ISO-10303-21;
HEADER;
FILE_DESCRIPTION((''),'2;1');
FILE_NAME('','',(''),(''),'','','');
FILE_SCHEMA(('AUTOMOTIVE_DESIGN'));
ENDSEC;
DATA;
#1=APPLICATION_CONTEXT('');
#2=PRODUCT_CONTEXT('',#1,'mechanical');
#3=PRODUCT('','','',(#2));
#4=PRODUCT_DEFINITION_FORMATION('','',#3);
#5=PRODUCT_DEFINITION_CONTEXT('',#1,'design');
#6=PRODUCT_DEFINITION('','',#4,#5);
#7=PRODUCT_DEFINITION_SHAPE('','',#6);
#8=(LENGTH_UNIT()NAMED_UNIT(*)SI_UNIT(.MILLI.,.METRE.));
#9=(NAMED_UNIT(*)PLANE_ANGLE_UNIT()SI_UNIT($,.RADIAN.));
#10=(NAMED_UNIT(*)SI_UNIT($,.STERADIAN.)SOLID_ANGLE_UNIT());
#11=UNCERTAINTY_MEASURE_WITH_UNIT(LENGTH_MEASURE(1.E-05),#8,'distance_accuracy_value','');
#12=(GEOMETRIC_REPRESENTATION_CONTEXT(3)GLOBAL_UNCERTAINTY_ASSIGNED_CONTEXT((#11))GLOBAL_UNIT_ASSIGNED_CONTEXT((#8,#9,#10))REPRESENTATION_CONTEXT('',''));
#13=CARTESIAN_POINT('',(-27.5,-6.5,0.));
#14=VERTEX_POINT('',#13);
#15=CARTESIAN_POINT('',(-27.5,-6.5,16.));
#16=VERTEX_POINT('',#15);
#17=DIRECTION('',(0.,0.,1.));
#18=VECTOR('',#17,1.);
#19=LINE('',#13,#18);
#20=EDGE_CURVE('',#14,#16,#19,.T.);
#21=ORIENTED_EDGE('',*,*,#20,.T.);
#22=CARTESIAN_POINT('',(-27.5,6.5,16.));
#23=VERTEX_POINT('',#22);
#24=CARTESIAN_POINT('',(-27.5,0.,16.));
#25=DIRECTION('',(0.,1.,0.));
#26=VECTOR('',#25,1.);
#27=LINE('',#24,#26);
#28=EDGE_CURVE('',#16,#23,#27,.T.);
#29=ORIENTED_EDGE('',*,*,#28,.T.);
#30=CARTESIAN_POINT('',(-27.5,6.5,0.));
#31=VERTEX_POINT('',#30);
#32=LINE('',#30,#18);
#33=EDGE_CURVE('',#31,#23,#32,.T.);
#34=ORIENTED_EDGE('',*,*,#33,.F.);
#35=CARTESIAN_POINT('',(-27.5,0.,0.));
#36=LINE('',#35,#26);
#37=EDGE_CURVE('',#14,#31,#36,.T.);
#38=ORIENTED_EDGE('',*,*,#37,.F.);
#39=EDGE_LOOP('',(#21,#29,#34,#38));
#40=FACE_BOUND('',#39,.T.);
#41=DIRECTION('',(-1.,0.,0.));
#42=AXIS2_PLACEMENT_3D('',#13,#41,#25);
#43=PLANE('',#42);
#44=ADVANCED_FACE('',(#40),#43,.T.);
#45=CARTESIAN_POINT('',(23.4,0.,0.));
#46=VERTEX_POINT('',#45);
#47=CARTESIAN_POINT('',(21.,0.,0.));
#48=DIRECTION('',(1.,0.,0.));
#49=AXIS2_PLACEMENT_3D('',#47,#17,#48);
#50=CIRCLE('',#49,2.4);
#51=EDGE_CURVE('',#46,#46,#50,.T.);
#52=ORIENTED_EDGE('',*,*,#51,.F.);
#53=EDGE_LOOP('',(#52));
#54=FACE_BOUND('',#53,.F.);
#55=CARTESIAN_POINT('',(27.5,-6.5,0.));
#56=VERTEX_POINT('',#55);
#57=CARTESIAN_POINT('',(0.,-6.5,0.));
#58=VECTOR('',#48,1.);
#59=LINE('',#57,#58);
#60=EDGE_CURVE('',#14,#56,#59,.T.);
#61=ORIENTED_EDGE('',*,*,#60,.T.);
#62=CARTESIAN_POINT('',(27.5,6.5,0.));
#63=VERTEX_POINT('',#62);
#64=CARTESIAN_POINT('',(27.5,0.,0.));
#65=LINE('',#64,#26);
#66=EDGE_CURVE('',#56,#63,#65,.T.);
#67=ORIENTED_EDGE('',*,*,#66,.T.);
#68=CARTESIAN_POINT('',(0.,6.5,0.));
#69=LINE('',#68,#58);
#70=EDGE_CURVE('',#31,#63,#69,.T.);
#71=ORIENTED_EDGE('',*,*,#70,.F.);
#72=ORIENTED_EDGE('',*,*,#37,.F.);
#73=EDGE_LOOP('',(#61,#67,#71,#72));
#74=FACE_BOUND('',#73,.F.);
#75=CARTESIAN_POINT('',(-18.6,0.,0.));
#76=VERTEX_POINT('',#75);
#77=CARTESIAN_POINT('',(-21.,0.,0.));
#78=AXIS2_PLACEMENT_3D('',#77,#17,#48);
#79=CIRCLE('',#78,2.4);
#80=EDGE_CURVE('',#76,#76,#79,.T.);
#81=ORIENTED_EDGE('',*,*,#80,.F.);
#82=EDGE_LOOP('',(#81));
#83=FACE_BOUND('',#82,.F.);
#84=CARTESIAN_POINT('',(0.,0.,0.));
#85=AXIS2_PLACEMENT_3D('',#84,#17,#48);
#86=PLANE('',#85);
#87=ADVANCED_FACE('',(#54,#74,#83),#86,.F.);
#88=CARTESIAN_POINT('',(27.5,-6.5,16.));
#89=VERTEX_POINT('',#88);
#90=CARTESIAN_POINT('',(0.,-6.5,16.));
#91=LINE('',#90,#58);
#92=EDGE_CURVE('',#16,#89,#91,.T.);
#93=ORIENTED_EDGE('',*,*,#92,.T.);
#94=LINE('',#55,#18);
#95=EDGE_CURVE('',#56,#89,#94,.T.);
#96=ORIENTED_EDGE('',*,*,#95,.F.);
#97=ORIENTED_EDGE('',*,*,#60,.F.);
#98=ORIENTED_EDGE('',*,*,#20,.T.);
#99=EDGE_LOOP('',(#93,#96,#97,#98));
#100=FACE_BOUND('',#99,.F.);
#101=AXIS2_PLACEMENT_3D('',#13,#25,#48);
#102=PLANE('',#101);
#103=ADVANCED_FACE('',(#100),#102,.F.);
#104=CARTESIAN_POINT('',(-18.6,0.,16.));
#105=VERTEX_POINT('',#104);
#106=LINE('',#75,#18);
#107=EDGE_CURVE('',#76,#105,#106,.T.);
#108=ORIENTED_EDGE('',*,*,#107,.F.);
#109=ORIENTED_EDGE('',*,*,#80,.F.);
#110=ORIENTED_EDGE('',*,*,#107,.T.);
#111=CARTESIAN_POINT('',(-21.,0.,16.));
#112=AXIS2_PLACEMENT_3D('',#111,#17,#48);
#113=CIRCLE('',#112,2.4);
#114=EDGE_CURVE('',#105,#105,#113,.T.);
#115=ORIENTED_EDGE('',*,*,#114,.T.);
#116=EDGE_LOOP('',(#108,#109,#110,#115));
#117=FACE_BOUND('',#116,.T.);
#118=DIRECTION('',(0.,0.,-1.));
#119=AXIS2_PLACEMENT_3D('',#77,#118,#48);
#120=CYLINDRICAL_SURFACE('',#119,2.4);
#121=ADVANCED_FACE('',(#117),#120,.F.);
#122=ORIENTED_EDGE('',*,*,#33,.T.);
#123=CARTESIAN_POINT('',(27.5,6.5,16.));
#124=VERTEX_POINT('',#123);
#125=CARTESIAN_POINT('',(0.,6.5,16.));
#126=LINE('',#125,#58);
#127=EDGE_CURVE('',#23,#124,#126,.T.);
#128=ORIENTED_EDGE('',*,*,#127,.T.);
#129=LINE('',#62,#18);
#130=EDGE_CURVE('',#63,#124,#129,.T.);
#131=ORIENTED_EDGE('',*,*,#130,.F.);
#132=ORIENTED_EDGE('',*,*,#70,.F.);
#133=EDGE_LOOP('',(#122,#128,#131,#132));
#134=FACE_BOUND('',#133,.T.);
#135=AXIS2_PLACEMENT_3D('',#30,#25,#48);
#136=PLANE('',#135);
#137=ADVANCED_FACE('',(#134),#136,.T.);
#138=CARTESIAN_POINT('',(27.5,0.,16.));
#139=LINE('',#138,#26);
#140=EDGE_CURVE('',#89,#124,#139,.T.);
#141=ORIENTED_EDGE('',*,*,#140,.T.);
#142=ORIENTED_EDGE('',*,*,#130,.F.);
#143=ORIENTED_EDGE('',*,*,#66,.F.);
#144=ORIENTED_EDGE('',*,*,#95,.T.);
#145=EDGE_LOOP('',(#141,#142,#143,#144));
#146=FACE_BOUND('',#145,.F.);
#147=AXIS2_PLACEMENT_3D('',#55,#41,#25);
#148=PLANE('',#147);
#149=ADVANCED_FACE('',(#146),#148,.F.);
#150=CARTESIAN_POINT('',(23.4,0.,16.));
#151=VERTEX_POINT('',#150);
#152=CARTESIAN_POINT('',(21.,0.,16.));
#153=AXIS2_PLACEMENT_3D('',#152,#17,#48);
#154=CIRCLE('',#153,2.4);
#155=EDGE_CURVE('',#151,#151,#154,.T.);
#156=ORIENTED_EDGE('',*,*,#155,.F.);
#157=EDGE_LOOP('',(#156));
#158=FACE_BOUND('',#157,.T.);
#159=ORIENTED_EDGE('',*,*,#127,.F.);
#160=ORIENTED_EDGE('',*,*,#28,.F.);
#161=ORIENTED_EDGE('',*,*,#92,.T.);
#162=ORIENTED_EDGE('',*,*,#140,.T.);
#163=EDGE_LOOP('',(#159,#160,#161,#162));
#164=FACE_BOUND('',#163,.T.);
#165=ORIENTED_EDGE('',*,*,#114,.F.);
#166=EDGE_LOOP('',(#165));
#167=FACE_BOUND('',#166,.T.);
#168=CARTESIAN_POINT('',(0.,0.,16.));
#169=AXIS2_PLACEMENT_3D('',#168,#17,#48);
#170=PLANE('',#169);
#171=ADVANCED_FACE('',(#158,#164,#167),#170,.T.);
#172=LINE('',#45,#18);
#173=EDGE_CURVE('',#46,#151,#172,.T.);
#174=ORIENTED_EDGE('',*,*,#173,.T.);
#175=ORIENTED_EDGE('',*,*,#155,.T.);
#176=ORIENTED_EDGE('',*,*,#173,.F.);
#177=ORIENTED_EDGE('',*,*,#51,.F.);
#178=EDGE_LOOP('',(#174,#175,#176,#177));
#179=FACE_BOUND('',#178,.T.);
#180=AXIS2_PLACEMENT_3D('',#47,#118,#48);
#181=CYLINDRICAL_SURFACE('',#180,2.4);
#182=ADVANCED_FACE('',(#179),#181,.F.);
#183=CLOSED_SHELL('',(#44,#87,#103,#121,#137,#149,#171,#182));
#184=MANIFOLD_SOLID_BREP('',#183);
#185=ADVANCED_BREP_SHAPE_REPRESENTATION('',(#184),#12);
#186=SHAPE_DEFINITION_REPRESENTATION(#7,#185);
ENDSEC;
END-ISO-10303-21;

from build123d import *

# Parameters (mm, degrees)
SKETCH_W  = 55
SKETCH_H  = 13
SKETCH_R  = 2.4
PAD_DEPTH = 16


with BuildPart() as part:
    # Sketch → Pad (new body)
    with BuildSketch(Plane.XY):
        Rectangle(SKETCH_W, SKETCH_H)
        with Locations((-21, 0)):
            Circle(SKETCH_R, mode=Mode.SUBTRACT)
        with Locations((21, 0)):
            Circle(SKETCH_R, mode=Mode.SUBTRACT)
    extrude(amount=PAD_DEPTH)


solid = part.part
